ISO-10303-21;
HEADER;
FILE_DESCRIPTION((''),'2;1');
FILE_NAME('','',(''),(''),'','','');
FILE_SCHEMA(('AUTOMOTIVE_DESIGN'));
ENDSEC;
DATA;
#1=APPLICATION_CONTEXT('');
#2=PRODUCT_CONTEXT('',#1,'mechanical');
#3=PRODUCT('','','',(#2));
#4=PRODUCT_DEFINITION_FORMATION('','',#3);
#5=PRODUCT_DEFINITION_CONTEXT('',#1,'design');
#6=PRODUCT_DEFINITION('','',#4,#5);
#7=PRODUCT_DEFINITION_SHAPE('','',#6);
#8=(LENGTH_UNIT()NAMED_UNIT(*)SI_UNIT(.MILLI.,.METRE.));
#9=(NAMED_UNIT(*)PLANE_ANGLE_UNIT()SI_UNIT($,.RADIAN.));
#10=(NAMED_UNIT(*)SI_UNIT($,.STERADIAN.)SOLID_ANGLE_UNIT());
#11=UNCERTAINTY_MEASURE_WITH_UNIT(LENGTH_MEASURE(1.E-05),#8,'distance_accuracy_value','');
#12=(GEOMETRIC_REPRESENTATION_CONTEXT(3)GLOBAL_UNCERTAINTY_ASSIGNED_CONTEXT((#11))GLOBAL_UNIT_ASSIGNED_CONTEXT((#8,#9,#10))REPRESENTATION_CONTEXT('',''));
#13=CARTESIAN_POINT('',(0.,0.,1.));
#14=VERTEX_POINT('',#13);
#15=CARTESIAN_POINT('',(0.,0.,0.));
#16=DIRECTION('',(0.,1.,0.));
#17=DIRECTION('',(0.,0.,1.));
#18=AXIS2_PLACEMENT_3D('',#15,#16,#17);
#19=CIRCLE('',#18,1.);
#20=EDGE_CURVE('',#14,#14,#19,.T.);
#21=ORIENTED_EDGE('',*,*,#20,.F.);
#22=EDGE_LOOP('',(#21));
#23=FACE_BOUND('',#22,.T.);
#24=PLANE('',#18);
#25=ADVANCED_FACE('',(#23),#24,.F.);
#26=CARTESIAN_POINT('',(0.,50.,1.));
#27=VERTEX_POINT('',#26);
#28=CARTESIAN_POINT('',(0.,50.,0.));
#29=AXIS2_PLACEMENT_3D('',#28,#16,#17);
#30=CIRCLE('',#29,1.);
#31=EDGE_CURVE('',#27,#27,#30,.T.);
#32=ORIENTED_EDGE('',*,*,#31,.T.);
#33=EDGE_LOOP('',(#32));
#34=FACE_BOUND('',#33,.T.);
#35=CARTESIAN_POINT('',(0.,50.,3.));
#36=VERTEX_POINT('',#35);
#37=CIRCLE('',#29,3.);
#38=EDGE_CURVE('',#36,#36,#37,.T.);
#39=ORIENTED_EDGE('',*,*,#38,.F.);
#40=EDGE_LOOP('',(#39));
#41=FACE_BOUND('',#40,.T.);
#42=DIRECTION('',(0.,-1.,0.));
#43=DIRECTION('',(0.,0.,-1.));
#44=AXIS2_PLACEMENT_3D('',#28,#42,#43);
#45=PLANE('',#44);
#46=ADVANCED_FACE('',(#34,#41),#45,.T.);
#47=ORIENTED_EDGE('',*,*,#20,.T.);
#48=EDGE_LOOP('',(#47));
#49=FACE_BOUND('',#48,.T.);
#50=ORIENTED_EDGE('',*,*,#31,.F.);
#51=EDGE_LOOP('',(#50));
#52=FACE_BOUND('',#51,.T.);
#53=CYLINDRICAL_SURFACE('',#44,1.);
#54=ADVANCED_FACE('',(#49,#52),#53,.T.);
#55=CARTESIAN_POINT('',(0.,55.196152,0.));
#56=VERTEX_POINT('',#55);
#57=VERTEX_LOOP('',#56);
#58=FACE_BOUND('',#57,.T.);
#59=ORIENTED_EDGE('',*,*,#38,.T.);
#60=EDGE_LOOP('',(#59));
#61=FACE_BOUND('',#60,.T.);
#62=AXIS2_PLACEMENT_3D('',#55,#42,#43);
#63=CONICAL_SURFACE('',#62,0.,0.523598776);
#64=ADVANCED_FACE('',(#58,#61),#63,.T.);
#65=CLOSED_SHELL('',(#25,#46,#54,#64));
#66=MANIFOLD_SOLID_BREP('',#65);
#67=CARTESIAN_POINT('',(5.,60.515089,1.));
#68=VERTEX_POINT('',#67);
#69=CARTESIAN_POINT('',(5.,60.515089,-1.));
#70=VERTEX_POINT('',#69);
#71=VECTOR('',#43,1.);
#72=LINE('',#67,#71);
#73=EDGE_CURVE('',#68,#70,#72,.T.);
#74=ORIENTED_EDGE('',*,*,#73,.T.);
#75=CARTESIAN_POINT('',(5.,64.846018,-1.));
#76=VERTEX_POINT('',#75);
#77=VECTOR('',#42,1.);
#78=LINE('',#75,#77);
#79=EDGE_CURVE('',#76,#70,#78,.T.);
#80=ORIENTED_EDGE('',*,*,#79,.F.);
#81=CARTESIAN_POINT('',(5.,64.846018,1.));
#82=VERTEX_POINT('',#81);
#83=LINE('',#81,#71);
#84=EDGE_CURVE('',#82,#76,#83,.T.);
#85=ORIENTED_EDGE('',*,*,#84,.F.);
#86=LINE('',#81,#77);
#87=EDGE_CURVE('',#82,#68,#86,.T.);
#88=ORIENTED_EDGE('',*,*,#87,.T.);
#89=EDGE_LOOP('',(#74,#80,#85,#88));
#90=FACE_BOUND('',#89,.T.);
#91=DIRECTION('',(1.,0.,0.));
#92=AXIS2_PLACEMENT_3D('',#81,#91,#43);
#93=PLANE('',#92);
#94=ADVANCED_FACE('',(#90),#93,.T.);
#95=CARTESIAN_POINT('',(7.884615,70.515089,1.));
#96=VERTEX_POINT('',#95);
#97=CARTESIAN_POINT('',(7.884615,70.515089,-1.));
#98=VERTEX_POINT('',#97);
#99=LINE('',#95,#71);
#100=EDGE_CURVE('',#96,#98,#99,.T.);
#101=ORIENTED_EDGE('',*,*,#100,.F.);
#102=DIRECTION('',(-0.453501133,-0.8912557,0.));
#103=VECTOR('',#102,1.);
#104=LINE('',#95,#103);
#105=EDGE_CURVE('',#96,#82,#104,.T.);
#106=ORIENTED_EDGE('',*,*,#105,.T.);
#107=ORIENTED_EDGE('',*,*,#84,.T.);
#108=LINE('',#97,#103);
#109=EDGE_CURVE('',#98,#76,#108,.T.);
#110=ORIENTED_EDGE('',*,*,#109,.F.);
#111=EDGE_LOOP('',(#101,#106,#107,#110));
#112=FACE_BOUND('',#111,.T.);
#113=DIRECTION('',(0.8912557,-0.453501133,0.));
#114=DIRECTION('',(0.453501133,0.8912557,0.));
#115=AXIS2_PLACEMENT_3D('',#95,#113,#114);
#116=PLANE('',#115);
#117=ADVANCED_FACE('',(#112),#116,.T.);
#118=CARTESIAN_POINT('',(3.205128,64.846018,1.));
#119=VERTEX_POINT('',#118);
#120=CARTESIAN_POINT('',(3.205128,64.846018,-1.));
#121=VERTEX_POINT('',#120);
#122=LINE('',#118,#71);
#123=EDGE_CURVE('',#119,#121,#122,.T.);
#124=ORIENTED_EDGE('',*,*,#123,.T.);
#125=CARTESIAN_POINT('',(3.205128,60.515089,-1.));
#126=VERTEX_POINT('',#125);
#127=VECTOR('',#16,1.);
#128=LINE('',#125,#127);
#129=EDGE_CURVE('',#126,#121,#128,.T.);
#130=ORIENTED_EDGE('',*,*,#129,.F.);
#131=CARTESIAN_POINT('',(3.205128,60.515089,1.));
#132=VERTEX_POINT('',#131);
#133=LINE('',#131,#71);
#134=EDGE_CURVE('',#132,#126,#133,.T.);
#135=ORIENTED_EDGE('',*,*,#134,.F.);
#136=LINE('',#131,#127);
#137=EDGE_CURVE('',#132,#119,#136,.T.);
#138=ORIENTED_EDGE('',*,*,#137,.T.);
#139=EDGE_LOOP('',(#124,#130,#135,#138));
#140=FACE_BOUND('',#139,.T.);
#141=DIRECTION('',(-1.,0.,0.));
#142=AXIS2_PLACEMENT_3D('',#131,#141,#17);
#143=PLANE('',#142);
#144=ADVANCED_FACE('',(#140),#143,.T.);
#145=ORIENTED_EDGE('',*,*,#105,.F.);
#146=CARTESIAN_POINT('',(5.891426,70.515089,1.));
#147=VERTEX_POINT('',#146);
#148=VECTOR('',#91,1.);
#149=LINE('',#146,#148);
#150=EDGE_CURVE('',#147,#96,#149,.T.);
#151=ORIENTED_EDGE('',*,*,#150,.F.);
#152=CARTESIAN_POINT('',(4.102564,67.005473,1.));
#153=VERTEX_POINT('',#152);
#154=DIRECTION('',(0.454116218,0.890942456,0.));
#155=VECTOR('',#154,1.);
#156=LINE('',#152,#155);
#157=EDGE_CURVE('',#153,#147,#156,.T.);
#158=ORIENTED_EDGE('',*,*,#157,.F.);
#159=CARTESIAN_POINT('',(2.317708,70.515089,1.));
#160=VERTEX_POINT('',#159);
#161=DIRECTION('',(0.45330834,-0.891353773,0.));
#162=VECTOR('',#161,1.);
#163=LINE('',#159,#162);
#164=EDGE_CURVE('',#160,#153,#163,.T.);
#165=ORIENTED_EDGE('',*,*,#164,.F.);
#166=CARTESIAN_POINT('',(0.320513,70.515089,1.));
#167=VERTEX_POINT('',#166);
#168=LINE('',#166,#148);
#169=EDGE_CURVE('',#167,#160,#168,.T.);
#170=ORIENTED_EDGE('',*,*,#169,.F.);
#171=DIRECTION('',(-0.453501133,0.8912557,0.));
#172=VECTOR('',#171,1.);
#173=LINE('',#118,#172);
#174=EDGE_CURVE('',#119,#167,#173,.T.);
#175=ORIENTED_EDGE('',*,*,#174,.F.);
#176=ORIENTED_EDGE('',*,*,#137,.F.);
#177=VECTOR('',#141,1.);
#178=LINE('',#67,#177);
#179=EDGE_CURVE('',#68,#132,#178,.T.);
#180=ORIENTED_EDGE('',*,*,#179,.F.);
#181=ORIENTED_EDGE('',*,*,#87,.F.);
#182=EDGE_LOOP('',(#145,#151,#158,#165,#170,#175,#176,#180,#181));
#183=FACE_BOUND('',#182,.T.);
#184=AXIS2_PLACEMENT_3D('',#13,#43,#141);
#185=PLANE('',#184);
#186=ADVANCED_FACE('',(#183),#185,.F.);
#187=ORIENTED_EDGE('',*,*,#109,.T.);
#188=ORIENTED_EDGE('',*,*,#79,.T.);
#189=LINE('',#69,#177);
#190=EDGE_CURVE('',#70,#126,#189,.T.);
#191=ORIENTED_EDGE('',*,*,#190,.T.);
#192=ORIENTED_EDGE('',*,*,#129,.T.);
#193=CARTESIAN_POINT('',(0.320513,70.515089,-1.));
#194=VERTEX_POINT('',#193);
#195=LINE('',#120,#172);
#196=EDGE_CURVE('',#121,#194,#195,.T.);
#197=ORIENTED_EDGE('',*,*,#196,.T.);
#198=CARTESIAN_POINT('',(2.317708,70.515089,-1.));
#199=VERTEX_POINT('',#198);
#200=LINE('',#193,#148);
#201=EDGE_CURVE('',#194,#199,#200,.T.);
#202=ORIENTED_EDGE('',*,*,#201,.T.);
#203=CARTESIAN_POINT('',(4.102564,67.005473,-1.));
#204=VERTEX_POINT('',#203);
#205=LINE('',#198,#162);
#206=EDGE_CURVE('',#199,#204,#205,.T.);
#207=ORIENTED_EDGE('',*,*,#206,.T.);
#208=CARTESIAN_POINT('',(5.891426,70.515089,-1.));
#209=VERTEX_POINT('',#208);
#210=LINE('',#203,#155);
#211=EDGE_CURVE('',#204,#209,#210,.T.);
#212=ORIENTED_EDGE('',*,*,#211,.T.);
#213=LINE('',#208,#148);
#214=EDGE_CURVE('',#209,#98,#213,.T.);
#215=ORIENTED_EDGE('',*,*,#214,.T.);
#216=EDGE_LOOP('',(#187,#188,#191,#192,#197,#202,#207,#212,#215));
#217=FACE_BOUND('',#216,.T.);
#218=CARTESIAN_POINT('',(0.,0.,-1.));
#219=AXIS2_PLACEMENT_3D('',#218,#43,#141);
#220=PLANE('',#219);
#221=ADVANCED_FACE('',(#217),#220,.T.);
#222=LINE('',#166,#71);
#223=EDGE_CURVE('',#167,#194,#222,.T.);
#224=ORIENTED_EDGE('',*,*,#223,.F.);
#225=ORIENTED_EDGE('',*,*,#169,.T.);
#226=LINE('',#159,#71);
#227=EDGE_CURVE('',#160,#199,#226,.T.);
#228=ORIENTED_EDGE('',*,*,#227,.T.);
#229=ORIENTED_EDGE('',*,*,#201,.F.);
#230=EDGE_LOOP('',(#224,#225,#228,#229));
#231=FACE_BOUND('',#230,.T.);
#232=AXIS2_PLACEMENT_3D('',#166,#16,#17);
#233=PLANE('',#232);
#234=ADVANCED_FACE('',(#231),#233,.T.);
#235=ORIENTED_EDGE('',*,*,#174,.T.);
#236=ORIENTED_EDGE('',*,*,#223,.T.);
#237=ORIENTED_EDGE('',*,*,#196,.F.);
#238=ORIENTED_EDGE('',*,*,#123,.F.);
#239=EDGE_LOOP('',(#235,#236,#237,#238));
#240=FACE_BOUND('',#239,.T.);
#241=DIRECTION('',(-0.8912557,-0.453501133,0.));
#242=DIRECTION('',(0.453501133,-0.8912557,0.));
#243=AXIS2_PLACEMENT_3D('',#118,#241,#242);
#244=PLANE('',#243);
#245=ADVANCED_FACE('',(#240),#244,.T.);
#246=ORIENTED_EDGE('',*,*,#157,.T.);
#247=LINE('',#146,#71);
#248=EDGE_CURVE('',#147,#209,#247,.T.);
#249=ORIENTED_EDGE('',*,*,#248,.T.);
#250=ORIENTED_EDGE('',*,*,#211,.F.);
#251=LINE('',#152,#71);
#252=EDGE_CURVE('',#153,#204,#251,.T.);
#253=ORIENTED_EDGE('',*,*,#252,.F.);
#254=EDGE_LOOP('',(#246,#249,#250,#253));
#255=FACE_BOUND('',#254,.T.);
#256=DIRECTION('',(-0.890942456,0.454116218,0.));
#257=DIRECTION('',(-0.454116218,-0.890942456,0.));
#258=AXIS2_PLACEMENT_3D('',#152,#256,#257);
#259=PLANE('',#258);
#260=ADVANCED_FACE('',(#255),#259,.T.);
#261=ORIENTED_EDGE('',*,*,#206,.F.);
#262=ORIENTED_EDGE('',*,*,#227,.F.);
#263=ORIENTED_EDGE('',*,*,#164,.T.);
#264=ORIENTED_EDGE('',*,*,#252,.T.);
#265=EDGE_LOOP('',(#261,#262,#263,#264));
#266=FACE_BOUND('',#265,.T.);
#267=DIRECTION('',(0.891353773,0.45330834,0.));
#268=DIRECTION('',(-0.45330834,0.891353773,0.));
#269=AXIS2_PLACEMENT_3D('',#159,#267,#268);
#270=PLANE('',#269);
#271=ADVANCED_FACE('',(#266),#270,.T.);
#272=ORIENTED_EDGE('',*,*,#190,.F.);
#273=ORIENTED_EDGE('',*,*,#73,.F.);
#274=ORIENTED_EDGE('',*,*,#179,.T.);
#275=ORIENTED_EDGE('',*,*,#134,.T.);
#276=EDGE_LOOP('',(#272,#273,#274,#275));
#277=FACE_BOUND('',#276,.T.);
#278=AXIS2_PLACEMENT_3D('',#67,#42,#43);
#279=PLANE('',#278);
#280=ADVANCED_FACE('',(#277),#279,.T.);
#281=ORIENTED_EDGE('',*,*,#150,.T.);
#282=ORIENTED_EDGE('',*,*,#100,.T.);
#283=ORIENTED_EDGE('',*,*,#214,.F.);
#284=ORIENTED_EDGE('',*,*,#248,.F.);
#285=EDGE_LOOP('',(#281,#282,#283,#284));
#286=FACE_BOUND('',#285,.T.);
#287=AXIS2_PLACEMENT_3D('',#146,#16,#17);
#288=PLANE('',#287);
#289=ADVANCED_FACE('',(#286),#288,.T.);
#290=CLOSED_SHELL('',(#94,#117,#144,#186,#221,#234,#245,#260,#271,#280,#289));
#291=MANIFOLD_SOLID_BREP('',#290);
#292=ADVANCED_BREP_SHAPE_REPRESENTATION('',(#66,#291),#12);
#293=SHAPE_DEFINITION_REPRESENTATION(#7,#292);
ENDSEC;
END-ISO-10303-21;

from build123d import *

# Parameters (mm, degrees)
SKETCH1_R           = 1
BOSS_EXTRUDE1_DEPTH = 50
BOSS_EXTRUDE2_DEPTH = 1


with BuildPart() as part:
    # Sketch1 → Boss-Extrude1 (new body)
    with BuildSketch(Plane(origin=(0, 0, 0), x_dir=(1, 0, 0), z_dir=(0, 1, 0))):
        with Locations(Location((0, 0, 0), (0, 0, 270))):
            Circle(SKETCH1_R)
    extrude(amount=BOSS_EXTRUDE1_DEPTH)

    # Sketch2 → Revolve1 (revolve)
    with BuildSketch(Plane.XY, mode=Mode.PRIVATE) as revolve1_sk:
        Polygon((0, 50), (-3, 50), (0, 55.196152423), align=None)
    revolve(revolve1_sk.sketch.rotate(Axis((0, 55.196152423, 0), (0, -1, 0)), 90), axis=Axis((0, 55.196152423, 0), (0, -1, 0)))


with BuildPart() as body_2:
    # Sketch3 → Boss-Extrude2 (new, symmetric)
    with BuildSketch(Plane.XY):
        Polygon((0.320512821, 70.515088714), (2.317708333, 70.515088714), (4.102564103, 67.00547333), (5.891426282, 70.515088714), (7.884615385, 70.515088714), (5, 64.846018202), (5, 60.515088714), (3.205128205, 60.515088714), (3.205128205, 64.846018202), align=None)
    extrude(amount=BOSS_EXTRUDE2_DEPTH, both=True)


solid = Compound([part.part, body_2.part])
